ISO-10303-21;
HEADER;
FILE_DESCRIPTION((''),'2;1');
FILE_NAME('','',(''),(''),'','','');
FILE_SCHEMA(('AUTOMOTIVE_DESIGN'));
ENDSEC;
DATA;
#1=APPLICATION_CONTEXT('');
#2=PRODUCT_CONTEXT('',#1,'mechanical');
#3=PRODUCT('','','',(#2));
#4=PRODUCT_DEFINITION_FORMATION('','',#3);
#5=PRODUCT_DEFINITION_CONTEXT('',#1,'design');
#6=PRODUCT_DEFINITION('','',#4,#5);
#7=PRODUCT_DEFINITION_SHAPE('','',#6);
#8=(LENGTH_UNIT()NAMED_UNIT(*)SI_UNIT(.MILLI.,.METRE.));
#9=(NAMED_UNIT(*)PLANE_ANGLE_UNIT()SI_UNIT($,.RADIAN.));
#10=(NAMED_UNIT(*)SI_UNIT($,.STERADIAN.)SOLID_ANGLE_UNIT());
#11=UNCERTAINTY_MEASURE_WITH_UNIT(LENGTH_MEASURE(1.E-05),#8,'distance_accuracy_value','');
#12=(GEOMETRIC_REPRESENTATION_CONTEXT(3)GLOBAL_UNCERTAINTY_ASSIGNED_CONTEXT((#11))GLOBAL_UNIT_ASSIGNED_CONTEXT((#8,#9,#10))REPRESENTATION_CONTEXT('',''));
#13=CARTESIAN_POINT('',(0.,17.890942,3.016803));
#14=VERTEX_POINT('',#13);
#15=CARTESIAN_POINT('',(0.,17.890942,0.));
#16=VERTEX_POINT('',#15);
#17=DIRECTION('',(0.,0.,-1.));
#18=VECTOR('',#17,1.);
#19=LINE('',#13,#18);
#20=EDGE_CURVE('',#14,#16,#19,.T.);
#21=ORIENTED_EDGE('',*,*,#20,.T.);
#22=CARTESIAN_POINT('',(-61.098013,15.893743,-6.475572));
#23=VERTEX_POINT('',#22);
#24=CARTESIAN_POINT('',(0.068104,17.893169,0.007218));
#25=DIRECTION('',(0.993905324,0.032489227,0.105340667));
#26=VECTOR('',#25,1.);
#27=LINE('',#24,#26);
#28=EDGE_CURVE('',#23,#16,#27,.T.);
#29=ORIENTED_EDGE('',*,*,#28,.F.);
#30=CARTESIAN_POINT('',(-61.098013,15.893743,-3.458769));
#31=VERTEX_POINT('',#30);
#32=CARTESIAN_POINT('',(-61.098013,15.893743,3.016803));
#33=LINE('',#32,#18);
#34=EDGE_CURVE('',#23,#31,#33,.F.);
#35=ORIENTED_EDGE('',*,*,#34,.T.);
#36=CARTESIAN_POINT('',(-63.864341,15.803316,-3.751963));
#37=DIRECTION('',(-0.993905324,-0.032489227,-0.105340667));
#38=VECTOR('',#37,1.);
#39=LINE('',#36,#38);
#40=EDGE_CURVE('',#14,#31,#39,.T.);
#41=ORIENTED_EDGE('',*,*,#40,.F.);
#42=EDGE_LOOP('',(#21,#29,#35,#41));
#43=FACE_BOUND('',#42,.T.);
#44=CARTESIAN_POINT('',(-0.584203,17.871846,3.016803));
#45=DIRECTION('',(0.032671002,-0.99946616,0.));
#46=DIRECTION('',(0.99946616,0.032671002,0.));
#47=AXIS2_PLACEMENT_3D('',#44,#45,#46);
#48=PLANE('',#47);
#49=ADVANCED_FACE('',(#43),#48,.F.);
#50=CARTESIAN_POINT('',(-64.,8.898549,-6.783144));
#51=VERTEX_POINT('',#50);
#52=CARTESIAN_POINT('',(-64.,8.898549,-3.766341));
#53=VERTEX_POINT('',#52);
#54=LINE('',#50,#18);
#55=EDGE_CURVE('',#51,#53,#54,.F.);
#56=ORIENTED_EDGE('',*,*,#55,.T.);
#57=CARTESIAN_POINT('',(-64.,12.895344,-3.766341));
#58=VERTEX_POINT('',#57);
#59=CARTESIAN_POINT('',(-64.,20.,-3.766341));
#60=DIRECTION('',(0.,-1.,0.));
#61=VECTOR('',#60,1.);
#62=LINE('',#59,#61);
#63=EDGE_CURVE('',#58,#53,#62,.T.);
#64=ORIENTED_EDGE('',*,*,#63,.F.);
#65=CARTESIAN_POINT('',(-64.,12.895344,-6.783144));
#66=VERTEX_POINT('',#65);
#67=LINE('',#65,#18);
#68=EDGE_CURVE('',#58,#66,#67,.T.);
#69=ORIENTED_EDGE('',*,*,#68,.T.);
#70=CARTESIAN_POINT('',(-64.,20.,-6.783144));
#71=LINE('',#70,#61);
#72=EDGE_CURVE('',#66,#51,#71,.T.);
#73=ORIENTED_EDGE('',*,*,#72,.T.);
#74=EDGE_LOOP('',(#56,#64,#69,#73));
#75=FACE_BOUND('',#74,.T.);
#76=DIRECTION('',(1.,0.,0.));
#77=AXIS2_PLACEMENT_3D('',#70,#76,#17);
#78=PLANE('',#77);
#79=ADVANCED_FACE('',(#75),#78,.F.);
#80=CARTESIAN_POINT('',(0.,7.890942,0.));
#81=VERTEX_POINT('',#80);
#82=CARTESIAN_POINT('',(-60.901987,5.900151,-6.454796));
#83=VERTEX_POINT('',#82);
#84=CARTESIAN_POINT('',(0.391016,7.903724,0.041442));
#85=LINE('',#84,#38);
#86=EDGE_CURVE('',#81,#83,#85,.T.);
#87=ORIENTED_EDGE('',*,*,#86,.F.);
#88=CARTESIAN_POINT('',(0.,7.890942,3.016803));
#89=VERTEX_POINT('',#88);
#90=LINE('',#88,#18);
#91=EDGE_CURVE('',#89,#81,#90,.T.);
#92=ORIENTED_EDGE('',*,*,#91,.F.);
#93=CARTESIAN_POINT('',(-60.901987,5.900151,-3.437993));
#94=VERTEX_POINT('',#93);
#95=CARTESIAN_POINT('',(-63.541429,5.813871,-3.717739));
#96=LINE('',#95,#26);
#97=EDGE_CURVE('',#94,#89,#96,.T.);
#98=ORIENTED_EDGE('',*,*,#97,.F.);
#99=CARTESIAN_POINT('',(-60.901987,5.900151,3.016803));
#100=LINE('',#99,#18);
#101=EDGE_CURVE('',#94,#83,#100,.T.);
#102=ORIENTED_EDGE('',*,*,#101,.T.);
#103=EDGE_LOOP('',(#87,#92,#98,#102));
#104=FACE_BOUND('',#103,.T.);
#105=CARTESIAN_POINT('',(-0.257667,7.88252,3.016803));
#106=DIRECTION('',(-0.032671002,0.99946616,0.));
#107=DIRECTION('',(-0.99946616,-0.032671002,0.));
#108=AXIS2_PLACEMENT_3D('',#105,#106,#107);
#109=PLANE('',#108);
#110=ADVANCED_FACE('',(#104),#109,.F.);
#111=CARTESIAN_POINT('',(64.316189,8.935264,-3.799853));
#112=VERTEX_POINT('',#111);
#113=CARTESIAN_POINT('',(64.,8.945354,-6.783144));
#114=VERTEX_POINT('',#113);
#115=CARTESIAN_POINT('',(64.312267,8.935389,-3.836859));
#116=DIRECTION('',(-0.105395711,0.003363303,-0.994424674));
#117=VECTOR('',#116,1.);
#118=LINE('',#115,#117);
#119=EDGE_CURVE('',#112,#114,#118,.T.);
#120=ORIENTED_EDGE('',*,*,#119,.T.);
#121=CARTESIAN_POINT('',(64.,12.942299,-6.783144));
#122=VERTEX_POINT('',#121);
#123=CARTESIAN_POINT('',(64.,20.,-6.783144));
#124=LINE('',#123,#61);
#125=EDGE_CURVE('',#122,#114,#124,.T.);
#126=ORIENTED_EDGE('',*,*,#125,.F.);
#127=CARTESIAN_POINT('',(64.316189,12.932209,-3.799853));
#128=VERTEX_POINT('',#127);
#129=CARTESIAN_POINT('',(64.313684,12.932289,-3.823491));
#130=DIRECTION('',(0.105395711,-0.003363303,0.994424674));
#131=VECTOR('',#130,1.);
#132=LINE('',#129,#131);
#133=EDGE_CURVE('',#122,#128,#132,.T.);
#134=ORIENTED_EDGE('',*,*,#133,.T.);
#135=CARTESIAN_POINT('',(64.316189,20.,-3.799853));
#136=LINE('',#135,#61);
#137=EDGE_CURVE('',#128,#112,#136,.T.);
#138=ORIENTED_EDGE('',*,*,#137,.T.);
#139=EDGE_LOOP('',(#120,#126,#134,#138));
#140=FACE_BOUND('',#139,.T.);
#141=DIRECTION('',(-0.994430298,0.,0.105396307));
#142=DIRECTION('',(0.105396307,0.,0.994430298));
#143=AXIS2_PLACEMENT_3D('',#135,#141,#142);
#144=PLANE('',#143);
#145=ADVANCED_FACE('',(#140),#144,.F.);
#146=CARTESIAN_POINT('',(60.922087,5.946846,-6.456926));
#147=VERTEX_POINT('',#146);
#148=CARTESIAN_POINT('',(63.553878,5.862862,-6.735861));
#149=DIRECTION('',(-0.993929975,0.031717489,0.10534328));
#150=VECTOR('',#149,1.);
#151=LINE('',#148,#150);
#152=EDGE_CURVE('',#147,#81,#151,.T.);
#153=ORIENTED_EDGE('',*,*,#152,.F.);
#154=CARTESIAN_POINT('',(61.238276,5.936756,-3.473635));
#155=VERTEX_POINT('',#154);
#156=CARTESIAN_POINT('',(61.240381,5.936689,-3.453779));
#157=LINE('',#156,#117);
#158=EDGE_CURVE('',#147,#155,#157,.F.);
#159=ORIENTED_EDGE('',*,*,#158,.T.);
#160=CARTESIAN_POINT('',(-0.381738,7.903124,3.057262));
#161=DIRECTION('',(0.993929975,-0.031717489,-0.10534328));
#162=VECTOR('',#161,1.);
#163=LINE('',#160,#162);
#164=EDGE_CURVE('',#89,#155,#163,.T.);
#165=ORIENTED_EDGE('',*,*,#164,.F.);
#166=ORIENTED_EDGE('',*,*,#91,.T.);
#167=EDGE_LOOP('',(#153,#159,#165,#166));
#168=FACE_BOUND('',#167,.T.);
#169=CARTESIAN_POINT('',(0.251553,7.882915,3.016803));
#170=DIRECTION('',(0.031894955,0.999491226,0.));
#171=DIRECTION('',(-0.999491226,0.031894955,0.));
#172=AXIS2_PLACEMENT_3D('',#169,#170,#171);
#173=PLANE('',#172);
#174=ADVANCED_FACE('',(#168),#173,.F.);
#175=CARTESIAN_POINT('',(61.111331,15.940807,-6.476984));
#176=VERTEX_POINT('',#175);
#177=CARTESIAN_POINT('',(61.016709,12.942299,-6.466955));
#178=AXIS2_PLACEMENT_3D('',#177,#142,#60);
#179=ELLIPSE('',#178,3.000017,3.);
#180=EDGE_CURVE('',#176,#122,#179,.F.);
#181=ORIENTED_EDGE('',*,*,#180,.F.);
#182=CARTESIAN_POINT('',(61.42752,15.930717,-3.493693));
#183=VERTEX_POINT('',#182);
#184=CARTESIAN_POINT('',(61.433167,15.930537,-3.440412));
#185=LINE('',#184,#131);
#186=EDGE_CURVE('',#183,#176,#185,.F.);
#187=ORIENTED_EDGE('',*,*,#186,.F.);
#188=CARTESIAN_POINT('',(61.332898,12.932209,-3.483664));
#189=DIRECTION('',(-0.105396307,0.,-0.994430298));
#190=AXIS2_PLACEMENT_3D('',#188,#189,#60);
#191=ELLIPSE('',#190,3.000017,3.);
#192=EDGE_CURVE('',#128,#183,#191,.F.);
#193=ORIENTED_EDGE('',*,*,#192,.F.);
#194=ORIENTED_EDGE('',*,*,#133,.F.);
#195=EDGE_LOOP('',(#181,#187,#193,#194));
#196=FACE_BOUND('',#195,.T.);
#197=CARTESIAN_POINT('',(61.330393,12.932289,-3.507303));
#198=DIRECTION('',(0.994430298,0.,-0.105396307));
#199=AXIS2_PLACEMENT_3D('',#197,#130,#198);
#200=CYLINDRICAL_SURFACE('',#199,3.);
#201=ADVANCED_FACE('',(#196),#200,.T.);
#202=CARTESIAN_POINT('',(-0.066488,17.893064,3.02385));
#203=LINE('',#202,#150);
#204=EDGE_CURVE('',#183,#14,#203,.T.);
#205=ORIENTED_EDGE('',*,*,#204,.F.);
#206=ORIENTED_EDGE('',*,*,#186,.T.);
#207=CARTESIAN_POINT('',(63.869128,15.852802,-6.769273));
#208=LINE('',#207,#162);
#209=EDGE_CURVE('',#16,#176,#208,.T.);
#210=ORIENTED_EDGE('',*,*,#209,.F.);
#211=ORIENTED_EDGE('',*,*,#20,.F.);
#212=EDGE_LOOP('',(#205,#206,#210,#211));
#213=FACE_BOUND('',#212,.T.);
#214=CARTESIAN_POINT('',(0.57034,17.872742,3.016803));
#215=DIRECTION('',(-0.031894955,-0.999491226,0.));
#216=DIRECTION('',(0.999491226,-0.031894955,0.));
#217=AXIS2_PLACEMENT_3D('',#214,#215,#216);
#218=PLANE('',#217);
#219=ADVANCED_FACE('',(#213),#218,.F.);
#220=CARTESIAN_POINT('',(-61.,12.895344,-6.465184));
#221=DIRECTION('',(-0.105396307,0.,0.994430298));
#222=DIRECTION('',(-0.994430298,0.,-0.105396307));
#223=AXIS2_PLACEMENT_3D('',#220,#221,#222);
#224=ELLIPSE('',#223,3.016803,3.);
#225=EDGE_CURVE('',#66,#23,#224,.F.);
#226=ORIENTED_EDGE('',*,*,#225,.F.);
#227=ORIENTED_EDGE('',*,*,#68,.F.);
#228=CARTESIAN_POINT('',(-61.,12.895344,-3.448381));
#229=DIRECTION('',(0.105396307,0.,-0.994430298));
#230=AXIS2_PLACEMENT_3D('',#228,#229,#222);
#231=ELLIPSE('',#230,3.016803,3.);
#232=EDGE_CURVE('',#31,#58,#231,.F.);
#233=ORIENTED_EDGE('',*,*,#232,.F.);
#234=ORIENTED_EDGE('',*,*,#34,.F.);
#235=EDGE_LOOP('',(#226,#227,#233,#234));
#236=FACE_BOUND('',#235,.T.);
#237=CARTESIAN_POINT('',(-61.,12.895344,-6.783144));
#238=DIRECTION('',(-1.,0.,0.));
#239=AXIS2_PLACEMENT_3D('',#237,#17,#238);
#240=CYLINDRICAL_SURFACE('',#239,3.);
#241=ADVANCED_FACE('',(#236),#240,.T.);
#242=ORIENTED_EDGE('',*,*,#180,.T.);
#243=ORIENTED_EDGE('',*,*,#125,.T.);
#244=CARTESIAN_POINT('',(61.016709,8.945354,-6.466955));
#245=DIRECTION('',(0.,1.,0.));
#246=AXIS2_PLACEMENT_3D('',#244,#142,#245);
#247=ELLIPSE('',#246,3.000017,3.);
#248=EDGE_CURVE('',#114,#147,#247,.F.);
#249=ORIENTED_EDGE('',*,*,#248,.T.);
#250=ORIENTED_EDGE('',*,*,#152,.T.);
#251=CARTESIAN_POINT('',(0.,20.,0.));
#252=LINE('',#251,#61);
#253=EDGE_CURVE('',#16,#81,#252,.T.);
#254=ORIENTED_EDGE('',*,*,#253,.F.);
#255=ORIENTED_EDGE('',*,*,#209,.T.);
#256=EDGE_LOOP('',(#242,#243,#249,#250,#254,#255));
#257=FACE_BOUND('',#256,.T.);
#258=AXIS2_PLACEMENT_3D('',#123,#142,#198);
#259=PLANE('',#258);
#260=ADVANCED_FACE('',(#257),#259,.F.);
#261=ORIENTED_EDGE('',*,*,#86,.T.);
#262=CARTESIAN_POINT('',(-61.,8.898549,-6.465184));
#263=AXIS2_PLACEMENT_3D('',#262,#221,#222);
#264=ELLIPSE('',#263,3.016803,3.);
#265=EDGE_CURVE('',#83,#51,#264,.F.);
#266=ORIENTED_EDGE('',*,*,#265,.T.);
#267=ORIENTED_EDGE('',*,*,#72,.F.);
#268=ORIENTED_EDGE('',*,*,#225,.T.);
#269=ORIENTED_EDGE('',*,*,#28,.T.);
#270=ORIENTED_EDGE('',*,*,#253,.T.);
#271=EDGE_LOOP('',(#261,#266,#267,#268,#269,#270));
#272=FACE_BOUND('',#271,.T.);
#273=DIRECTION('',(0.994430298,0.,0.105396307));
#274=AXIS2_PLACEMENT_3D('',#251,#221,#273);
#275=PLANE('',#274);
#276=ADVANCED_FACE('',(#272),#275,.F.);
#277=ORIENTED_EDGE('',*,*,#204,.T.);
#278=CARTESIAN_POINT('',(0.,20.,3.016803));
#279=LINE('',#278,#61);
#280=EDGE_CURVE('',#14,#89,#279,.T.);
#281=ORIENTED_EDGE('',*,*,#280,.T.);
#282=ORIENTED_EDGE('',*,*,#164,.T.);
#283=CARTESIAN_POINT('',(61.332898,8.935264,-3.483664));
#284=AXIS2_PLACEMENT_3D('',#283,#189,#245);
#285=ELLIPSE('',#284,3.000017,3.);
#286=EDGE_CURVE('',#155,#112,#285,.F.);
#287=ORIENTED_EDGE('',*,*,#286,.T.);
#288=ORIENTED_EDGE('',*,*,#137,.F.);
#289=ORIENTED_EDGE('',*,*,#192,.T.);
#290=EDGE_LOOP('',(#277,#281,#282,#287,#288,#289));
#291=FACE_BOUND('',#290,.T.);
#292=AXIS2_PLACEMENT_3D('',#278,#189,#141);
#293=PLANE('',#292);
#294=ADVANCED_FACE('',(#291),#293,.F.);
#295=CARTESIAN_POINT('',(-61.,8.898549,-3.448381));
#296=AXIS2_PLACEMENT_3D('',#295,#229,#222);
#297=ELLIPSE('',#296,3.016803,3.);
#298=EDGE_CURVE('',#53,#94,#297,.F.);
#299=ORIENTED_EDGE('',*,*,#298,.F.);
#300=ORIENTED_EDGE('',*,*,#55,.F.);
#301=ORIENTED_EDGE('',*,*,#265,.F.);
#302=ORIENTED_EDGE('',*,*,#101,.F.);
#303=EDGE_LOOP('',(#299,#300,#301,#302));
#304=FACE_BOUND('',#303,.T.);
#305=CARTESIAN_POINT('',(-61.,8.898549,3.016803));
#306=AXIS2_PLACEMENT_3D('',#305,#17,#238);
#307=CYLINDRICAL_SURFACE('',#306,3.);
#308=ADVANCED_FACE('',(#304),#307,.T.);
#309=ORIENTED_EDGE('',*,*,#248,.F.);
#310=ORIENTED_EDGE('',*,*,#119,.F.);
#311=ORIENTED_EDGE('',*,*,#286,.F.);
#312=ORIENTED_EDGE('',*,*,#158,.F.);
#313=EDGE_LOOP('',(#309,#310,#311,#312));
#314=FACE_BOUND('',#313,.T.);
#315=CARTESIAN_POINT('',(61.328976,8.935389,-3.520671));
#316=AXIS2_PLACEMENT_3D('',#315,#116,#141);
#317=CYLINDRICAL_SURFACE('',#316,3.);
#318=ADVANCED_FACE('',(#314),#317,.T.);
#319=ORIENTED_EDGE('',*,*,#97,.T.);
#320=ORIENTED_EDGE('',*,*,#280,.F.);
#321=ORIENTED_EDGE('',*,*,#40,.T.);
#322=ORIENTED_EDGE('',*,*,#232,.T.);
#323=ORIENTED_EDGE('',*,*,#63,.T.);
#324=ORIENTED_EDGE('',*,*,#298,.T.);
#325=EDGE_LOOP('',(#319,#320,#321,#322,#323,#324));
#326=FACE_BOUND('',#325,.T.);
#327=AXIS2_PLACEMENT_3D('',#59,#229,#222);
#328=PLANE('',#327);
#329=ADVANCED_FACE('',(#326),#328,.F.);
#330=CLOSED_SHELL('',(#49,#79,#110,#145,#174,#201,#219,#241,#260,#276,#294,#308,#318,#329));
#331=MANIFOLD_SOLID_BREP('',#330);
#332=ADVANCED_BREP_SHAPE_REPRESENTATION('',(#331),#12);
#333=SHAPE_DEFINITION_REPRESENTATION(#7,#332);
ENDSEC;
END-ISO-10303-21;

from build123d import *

# Parameters (mm, degrees)
BOSS_EXTRUDE2_DEPTH     = 20
CUT_EXTRUDE1_DEPTH      = 4.016802691
CUT_EXTRUDE1_DEPTH_BACK = 7.783143762
FILLET1_R               = 3


with BuildPart() as part:
    # Sketch2 → Boss-Extrude2 (new body)
    with BuildSketch(Plane(origin=(0, 0, 0), x_dir=(1, 0, 0), z_dir=(0, 1, 0))):
        Polygon((0, 0), (-64, 6.783143762), (-64, 3.766341072), (0, -3.016802691), (64.316188922, 3.799852867), (64, 6.783143762), align=None)
    extrude(amount=BOSS_EXTRUDE2_DEPTH)

    # Sketch3 → Cut-Extrude1 (cut, two sides)
    with BuildSketch(Plane.XY) as cut_extrude1_sk:
        Polygon((0, 7.890942367), (-64, 5.798881402), (-64, 0), (64.316188922, 0), (64.316188922, 5.838536205), align=None)
        Polygon((-64, 20), (-64, 15.798881402), (0, 17.890942367), (64.316188922, 15.838536205), (64.316188922, 20), align=None)
    extrude(amount=CUT_EXTRUDE1_DEPTH, mode=Mode.SUBTRACT)
    extrude(cut_extrude1_sk.sketch, amount=-CUT_EXTRUDE1_DEPTH_BACK, mode=Mode.SUBTRACT)

    # Fillet1
    fillet1_edges = [part.edges().sort_by_distance(p)[0] for p in [
        (64.158094461, 15.843581188, -5.291498315),
        (64.158094461, 5.843581188, -5.291498315),
        (-64, 5.798881402, -5.274742417),
        (-64, 15.798881402, -5.274742417),
    ]]
    fillet(fillet1_edges, radius=FILLET1_R)


solid = part.part
